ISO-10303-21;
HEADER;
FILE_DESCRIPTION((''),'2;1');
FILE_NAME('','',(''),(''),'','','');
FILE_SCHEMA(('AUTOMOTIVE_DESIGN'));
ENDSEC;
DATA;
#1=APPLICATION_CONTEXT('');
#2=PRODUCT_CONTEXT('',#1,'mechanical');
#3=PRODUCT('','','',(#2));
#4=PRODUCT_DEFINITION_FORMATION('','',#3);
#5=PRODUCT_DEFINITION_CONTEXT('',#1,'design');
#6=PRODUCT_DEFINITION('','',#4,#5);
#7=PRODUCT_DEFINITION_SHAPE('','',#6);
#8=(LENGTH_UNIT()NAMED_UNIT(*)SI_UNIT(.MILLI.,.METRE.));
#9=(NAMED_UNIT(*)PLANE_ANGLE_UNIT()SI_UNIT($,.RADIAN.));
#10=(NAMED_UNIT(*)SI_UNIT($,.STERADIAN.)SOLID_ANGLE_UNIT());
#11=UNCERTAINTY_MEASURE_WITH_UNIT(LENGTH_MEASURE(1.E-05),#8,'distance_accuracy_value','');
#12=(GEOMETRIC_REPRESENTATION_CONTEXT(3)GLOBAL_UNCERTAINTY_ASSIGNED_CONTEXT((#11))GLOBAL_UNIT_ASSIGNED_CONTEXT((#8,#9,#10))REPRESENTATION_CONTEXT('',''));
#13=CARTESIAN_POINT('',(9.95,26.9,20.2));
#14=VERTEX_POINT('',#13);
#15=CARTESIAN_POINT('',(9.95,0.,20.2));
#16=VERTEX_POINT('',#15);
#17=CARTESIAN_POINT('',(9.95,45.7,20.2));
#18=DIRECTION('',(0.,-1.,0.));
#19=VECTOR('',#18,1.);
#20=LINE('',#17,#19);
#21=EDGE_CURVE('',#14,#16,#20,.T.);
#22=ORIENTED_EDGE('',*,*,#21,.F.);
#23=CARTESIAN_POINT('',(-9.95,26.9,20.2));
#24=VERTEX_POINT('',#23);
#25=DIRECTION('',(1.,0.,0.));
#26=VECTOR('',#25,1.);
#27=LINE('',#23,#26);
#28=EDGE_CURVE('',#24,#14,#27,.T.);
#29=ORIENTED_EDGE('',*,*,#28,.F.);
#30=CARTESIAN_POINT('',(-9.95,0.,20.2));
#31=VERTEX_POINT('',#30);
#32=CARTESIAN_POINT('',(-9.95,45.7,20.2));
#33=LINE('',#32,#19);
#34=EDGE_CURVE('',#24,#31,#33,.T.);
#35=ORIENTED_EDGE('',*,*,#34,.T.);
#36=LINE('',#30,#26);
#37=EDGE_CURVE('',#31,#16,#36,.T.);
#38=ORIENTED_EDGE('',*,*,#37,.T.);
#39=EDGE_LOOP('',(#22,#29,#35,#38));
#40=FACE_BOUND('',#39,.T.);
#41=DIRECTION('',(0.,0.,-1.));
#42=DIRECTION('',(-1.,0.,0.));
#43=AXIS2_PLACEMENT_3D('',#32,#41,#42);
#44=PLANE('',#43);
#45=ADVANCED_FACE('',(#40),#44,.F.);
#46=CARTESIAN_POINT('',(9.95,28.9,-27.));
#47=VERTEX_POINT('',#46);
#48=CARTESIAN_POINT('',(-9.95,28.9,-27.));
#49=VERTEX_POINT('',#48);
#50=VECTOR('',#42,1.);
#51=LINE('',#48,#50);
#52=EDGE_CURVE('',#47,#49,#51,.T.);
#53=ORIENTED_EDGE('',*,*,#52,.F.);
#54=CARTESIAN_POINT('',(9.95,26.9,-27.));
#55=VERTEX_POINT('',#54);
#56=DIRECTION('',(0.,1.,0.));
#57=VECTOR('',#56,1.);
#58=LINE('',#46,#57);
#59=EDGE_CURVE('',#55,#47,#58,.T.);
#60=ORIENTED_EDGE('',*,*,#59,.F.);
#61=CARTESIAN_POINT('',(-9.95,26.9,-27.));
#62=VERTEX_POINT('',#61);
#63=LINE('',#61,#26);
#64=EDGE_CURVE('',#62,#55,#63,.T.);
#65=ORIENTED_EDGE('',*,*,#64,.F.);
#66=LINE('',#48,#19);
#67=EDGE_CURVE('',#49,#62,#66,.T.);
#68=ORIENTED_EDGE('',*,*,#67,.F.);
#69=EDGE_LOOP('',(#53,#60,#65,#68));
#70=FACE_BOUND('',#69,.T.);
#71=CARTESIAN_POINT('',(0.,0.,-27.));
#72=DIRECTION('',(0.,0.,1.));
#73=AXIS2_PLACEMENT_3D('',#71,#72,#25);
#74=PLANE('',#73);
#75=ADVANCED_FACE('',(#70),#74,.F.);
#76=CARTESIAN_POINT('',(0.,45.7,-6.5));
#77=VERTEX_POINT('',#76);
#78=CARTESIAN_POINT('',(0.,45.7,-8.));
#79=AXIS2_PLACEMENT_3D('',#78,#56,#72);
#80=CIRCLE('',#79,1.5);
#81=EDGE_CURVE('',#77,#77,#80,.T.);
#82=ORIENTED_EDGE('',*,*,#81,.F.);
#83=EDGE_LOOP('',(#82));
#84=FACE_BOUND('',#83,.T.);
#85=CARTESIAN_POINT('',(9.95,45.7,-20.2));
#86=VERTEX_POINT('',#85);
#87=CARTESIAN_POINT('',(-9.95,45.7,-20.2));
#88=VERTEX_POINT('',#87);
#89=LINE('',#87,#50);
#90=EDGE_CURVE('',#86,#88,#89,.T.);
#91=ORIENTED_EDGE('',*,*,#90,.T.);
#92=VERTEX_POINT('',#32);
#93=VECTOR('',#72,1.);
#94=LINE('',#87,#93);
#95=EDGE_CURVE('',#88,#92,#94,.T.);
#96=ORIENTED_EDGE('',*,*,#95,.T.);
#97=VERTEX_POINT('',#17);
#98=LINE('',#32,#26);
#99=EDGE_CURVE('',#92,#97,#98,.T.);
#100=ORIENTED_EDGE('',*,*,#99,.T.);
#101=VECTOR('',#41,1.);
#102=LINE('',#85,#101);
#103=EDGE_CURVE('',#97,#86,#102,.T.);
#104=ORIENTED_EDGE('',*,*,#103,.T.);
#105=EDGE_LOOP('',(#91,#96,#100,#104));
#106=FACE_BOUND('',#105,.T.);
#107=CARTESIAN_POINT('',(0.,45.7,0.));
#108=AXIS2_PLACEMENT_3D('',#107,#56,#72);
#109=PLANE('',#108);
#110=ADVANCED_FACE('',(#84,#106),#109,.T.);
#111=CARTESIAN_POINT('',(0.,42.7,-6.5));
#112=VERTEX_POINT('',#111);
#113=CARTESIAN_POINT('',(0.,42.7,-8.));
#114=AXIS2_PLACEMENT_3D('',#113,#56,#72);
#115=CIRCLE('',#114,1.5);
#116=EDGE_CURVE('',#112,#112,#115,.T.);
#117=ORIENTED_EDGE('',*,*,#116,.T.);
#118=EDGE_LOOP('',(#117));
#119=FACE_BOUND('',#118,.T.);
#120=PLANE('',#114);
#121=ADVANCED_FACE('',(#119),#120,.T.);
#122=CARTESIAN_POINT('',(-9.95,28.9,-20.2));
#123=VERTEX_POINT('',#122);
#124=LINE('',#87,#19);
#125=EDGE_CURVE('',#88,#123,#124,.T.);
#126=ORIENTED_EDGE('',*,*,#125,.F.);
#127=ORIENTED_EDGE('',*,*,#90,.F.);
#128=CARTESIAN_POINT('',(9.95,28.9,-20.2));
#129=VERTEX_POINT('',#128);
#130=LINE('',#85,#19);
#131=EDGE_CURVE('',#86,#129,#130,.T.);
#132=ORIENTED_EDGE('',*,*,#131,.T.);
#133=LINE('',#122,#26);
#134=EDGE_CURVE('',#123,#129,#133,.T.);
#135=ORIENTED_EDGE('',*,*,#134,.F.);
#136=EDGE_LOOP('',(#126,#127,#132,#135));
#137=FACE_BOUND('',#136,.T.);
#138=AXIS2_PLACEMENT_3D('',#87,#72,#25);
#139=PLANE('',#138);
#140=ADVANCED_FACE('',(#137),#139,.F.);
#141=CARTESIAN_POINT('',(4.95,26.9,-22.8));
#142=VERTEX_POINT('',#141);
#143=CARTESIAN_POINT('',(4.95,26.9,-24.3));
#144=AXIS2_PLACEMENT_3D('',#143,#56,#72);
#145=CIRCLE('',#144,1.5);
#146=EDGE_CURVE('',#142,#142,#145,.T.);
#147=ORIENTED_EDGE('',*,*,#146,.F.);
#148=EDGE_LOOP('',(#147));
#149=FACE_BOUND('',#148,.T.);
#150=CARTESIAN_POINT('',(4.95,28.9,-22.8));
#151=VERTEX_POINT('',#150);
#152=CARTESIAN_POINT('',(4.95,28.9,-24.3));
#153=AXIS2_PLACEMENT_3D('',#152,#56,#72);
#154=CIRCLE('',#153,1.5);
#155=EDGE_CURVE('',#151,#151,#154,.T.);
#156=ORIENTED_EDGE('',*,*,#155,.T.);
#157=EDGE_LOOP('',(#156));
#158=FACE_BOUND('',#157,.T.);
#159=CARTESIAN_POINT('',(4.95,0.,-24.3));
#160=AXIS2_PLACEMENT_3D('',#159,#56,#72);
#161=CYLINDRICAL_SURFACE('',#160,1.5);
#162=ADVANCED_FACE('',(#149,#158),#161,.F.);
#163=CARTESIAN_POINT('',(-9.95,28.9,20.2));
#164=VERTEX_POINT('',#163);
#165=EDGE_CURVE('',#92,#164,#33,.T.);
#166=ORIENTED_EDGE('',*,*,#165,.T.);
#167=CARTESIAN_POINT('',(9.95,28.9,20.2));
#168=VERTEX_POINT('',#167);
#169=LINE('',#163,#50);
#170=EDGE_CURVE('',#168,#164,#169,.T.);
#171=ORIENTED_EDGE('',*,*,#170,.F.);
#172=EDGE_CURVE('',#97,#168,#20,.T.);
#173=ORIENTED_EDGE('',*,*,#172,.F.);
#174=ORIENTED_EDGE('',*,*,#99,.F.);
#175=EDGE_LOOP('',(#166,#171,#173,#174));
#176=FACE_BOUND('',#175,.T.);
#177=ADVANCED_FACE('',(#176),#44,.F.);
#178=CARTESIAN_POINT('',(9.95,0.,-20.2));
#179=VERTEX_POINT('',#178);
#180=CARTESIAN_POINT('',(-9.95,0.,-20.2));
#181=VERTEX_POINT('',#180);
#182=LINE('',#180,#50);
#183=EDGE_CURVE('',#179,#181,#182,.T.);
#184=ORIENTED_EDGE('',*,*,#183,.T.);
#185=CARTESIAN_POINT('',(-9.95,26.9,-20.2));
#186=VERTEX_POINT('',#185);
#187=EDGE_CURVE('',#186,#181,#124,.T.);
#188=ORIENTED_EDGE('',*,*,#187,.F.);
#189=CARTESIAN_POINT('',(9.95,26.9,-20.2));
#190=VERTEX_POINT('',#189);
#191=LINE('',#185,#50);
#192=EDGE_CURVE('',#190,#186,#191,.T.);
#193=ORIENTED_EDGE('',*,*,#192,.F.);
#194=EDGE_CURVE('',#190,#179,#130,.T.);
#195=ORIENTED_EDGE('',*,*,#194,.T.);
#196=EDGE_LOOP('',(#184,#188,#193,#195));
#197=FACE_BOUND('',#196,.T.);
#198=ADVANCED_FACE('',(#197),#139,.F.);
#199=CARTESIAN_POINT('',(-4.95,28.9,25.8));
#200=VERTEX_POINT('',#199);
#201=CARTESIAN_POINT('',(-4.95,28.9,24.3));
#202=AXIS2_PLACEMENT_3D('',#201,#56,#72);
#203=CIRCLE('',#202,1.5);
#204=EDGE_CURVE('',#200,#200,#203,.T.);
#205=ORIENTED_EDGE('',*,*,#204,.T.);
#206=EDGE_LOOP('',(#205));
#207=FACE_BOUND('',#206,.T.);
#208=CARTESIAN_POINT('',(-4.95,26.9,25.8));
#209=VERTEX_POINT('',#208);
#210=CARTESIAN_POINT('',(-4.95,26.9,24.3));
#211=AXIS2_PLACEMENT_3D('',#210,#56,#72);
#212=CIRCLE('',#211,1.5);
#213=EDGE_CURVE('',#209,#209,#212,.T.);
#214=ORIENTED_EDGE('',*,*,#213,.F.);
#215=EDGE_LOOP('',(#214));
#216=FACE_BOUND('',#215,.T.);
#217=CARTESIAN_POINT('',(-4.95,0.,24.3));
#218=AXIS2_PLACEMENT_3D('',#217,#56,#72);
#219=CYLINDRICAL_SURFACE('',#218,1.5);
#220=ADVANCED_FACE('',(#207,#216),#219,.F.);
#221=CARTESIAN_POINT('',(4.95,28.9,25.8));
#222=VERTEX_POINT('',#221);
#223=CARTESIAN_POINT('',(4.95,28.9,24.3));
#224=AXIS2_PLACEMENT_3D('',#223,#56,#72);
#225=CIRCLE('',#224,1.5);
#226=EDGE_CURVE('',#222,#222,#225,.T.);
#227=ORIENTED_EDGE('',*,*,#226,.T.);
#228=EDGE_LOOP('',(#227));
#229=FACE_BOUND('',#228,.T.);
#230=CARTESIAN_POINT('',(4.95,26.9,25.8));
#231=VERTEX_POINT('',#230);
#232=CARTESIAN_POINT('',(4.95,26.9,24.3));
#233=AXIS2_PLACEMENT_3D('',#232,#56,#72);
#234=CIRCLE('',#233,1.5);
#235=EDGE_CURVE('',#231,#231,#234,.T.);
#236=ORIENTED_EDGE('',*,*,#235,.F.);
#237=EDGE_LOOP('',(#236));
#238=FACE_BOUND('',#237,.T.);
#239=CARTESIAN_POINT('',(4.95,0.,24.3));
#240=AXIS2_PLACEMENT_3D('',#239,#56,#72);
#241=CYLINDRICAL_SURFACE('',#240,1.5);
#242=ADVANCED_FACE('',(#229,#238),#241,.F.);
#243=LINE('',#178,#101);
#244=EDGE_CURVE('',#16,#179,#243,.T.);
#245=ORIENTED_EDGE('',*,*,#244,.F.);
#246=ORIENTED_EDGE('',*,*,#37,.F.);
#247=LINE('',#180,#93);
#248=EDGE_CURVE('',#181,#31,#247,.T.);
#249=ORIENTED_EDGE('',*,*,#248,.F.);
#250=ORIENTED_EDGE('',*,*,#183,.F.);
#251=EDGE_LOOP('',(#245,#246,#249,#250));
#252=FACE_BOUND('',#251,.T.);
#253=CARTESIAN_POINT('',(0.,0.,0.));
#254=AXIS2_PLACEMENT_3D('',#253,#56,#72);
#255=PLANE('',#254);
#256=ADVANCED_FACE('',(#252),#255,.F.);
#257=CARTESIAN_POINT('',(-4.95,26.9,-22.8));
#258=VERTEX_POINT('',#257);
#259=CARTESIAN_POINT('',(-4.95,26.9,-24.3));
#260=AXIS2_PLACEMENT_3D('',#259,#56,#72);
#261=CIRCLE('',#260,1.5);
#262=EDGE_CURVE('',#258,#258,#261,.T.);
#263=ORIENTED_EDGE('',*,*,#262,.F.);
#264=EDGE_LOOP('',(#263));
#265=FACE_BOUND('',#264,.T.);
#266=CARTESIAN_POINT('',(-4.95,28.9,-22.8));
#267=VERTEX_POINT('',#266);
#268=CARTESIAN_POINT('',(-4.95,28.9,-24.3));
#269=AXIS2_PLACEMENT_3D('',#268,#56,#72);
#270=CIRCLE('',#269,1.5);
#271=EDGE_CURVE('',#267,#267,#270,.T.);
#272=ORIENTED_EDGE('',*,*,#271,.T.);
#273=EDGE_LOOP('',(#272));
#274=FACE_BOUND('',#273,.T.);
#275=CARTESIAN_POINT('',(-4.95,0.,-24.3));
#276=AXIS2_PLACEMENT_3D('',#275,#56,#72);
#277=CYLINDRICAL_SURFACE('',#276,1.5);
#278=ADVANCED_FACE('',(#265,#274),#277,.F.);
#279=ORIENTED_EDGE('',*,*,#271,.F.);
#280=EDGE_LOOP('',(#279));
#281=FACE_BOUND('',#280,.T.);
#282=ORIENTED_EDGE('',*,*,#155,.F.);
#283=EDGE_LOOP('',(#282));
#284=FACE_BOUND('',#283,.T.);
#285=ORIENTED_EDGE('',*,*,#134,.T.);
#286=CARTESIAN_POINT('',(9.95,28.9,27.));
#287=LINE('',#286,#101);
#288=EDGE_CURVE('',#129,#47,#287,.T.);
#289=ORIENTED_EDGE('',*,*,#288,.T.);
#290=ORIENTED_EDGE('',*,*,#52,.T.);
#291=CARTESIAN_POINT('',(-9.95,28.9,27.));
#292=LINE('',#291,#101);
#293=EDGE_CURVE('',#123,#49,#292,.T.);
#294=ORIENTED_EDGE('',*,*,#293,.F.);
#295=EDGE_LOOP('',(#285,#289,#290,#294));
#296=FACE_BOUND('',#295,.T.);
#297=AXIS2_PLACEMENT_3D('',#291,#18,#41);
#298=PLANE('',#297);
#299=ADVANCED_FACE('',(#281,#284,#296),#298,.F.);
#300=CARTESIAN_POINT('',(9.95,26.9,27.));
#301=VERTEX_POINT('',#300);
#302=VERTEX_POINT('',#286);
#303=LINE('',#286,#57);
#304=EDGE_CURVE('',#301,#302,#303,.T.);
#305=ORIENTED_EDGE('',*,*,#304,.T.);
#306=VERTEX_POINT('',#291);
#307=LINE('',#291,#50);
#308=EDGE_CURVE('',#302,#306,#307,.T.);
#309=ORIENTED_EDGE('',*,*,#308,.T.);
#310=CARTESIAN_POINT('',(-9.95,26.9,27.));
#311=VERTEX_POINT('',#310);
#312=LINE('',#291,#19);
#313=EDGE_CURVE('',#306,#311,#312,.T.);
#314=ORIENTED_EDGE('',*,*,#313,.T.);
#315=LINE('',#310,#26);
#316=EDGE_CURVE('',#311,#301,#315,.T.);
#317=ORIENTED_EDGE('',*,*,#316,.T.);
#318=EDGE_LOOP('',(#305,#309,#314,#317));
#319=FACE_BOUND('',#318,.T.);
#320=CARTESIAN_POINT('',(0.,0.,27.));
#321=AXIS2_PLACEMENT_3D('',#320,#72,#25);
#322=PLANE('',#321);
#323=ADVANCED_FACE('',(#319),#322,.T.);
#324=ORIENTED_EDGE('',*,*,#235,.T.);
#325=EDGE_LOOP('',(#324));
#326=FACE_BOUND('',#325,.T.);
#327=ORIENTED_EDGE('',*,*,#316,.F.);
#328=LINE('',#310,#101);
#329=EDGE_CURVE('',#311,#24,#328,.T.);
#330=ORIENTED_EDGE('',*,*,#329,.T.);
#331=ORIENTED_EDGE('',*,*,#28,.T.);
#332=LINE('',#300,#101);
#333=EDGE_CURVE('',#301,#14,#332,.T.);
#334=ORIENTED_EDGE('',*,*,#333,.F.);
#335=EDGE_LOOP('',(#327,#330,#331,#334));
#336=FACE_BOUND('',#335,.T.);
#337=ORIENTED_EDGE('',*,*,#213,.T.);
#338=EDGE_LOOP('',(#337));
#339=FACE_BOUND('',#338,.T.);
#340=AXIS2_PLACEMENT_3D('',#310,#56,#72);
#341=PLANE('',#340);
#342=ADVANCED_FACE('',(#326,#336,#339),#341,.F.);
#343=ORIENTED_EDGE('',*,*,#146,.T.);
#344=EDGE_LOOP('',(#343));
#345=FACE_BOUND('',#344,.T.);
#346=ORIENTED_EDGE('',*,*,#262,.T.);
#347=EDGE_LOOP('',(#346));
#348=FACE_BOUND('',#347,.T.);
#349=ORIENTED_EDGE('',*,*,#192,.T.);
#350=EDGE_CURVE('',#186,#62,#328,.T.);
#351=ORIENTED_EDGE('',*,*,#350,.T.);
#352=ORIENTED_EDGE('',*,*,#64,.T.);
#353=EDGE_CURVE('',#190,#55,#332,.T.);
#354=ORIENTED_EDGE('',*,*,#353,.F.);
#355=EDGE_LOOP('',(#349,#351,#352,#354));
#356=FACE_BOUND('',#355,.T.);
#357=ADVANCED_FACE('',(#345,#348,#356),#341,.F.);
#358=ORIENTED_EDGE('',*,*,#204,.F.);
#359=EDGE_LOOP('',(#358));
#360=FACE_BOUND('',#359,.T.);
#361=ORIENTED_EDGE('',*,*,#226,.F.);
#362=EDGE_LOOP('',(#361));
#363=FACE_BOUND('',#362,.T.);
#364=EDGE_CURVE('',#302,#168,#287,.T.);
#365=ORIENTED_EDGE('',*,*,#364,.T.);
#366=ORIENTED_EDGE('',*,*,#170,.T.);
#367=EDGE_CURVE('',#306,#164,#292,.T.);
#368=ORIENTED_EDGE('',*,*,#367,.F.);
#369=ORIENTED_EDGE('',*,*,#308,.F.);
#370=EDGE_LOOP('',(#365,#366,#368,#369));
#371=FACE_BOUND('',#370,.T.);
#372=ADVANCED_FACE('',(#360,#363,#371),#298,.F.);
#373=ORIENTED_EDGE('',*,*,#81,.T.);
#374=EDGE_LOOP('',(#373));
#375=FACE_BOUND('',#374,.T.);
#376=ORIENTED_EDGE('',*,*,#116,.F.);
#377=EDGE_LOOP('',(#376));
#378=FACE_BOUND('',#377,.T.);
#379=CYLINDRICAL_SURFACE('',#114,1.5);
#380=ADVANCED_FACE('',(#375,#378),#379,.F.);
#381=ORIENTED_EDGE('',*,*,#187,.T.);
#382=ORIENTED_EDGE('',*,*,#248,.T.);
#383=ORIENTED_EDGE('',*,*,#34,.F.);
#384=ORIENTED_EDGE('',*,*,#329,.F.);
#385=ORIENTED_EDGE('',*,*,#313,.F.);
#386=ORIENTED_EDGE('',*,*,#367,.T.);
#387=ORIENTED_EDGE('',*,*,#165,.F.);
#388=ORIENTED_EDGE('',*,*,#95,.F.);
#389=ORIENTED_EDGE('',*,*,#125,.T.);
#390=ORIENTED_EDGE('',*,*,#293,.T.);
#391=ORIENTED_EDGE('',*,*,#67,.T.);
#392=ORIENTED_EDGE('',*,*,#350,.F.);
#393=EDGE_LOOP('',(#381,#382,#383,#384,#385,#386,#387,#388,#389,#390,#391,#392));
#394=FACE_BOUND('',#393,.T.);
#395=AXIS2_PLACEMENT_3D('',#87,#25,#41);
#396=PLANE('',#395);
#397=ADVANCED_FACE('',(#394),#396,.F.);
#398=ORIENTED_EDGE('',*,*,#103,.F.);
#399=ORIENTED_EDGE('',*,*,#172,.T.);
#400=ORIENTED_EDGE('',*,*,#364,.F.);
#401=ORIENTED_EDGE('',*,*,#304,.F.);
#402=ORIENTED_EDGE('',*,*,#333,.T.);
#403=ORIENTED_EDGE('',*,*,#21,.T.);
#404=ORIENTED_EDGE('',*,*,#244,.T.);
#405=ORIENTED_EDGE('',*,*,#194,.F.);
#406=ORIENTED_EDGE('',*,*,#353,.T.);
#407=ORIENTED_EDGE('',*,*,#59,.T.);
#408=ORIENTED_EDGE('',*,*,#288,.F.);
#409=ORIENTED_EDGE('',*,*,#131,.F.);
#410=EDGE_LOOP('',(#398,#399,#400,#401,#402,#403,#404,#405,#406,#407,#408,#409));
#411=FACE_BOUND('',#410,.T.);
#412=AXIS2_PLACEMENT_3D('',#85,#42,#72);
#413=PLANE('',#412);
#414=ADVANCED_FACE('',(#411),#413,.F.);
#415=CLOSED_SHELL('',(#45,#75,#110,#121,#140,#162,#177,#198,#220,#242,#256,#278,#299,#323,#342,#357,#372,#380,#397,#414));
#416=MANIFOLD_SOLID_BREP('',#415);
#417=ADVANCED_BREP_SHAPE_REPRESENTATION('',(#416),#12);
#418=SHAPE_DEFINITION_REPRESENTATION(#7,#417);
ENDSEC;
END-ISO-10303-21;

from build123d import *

# Parameters (mm, degrees)
SKETCH_1_W          = 19.9
SKETCH_1_H          = 40.4
EXTRUDE_1_DEPTH     = 45.7
SKETCH_2_W          = 19.9
SKETCH_2_H          = 2
EXTRUDE_2_DEPTH     = 27
SKETCH_3_R          = 1.5
CUT_EXTRUDE_1_DEPTH = 3
SKETCH_5_R          = 1.5
CUT_EXTRUDE_2_DEPTH = 41.782502375


with BuildPart() as part:
    # 草图1 → 凸台-拉伸1 (new body)
    with BuildSketch(Plane(origin=(0, 0, 0), x_dir=(1, 0, 0), z_dir=(0, 1, 0))):
        Rectangle(SKETCH_1_W, SKETCH_1_H)
    extrude(amount=EXTRUDE_1_DEPTH)

    # 草图2 → 凸台-拉伸2 (add, symmetric)
    with BuildSketch(Plane.XY):
        with Locations((0, 27.9)):
            Rectangle(SKETCH_2_W, SKETCH_2_H)
    extrude(amount=EXTRUDE_2_DEPTH, both=True)

    # 草图3 → 切除-拉伸1 (cut)
    with BuildSketch(Plane(origin=(0, 45.7, 0), x_dir=(1, 0, 0), z_dir=(0, 1, 0))):
        with Locations(Location((0, 8, 0), (0, 0, 270))):
            Circle(SKETCH_3_R)
    extrude(amount=-CUT_EXTRUDE_1_DEPTH, mode=Mode.SUBTRACT)

    # 草图5 → 切除-拉伸2 (cut, through all)
    with BuildSketch(Plane(origin=(0, 28.9, 0), x_dir=(1, 0, 0), z_dir=(0, 1, 0))):
        with Locations(Location((-4.95, 24.3, 0), (0, 0, 270))):
            Circle(SKETCH_5_R)
        with Locations(Location((4.95, 24.3, 0), (0, 0, 270))):
            Circle(SKETCH_5_R)
        with Locations(Location((-4.95, -24.3, 0), (0, 0, 270))):
            Circle(SKETCH_5_R)
        with Locations(Location((4.95, -24.3, 0), (0, 0, 270))):
            Circle(SKETCH_5_R)
    extrude(amount=-CUT_EXTRUDE_2_DEPTH, mode=Mode.SUBTRACT)


solid = part.part
